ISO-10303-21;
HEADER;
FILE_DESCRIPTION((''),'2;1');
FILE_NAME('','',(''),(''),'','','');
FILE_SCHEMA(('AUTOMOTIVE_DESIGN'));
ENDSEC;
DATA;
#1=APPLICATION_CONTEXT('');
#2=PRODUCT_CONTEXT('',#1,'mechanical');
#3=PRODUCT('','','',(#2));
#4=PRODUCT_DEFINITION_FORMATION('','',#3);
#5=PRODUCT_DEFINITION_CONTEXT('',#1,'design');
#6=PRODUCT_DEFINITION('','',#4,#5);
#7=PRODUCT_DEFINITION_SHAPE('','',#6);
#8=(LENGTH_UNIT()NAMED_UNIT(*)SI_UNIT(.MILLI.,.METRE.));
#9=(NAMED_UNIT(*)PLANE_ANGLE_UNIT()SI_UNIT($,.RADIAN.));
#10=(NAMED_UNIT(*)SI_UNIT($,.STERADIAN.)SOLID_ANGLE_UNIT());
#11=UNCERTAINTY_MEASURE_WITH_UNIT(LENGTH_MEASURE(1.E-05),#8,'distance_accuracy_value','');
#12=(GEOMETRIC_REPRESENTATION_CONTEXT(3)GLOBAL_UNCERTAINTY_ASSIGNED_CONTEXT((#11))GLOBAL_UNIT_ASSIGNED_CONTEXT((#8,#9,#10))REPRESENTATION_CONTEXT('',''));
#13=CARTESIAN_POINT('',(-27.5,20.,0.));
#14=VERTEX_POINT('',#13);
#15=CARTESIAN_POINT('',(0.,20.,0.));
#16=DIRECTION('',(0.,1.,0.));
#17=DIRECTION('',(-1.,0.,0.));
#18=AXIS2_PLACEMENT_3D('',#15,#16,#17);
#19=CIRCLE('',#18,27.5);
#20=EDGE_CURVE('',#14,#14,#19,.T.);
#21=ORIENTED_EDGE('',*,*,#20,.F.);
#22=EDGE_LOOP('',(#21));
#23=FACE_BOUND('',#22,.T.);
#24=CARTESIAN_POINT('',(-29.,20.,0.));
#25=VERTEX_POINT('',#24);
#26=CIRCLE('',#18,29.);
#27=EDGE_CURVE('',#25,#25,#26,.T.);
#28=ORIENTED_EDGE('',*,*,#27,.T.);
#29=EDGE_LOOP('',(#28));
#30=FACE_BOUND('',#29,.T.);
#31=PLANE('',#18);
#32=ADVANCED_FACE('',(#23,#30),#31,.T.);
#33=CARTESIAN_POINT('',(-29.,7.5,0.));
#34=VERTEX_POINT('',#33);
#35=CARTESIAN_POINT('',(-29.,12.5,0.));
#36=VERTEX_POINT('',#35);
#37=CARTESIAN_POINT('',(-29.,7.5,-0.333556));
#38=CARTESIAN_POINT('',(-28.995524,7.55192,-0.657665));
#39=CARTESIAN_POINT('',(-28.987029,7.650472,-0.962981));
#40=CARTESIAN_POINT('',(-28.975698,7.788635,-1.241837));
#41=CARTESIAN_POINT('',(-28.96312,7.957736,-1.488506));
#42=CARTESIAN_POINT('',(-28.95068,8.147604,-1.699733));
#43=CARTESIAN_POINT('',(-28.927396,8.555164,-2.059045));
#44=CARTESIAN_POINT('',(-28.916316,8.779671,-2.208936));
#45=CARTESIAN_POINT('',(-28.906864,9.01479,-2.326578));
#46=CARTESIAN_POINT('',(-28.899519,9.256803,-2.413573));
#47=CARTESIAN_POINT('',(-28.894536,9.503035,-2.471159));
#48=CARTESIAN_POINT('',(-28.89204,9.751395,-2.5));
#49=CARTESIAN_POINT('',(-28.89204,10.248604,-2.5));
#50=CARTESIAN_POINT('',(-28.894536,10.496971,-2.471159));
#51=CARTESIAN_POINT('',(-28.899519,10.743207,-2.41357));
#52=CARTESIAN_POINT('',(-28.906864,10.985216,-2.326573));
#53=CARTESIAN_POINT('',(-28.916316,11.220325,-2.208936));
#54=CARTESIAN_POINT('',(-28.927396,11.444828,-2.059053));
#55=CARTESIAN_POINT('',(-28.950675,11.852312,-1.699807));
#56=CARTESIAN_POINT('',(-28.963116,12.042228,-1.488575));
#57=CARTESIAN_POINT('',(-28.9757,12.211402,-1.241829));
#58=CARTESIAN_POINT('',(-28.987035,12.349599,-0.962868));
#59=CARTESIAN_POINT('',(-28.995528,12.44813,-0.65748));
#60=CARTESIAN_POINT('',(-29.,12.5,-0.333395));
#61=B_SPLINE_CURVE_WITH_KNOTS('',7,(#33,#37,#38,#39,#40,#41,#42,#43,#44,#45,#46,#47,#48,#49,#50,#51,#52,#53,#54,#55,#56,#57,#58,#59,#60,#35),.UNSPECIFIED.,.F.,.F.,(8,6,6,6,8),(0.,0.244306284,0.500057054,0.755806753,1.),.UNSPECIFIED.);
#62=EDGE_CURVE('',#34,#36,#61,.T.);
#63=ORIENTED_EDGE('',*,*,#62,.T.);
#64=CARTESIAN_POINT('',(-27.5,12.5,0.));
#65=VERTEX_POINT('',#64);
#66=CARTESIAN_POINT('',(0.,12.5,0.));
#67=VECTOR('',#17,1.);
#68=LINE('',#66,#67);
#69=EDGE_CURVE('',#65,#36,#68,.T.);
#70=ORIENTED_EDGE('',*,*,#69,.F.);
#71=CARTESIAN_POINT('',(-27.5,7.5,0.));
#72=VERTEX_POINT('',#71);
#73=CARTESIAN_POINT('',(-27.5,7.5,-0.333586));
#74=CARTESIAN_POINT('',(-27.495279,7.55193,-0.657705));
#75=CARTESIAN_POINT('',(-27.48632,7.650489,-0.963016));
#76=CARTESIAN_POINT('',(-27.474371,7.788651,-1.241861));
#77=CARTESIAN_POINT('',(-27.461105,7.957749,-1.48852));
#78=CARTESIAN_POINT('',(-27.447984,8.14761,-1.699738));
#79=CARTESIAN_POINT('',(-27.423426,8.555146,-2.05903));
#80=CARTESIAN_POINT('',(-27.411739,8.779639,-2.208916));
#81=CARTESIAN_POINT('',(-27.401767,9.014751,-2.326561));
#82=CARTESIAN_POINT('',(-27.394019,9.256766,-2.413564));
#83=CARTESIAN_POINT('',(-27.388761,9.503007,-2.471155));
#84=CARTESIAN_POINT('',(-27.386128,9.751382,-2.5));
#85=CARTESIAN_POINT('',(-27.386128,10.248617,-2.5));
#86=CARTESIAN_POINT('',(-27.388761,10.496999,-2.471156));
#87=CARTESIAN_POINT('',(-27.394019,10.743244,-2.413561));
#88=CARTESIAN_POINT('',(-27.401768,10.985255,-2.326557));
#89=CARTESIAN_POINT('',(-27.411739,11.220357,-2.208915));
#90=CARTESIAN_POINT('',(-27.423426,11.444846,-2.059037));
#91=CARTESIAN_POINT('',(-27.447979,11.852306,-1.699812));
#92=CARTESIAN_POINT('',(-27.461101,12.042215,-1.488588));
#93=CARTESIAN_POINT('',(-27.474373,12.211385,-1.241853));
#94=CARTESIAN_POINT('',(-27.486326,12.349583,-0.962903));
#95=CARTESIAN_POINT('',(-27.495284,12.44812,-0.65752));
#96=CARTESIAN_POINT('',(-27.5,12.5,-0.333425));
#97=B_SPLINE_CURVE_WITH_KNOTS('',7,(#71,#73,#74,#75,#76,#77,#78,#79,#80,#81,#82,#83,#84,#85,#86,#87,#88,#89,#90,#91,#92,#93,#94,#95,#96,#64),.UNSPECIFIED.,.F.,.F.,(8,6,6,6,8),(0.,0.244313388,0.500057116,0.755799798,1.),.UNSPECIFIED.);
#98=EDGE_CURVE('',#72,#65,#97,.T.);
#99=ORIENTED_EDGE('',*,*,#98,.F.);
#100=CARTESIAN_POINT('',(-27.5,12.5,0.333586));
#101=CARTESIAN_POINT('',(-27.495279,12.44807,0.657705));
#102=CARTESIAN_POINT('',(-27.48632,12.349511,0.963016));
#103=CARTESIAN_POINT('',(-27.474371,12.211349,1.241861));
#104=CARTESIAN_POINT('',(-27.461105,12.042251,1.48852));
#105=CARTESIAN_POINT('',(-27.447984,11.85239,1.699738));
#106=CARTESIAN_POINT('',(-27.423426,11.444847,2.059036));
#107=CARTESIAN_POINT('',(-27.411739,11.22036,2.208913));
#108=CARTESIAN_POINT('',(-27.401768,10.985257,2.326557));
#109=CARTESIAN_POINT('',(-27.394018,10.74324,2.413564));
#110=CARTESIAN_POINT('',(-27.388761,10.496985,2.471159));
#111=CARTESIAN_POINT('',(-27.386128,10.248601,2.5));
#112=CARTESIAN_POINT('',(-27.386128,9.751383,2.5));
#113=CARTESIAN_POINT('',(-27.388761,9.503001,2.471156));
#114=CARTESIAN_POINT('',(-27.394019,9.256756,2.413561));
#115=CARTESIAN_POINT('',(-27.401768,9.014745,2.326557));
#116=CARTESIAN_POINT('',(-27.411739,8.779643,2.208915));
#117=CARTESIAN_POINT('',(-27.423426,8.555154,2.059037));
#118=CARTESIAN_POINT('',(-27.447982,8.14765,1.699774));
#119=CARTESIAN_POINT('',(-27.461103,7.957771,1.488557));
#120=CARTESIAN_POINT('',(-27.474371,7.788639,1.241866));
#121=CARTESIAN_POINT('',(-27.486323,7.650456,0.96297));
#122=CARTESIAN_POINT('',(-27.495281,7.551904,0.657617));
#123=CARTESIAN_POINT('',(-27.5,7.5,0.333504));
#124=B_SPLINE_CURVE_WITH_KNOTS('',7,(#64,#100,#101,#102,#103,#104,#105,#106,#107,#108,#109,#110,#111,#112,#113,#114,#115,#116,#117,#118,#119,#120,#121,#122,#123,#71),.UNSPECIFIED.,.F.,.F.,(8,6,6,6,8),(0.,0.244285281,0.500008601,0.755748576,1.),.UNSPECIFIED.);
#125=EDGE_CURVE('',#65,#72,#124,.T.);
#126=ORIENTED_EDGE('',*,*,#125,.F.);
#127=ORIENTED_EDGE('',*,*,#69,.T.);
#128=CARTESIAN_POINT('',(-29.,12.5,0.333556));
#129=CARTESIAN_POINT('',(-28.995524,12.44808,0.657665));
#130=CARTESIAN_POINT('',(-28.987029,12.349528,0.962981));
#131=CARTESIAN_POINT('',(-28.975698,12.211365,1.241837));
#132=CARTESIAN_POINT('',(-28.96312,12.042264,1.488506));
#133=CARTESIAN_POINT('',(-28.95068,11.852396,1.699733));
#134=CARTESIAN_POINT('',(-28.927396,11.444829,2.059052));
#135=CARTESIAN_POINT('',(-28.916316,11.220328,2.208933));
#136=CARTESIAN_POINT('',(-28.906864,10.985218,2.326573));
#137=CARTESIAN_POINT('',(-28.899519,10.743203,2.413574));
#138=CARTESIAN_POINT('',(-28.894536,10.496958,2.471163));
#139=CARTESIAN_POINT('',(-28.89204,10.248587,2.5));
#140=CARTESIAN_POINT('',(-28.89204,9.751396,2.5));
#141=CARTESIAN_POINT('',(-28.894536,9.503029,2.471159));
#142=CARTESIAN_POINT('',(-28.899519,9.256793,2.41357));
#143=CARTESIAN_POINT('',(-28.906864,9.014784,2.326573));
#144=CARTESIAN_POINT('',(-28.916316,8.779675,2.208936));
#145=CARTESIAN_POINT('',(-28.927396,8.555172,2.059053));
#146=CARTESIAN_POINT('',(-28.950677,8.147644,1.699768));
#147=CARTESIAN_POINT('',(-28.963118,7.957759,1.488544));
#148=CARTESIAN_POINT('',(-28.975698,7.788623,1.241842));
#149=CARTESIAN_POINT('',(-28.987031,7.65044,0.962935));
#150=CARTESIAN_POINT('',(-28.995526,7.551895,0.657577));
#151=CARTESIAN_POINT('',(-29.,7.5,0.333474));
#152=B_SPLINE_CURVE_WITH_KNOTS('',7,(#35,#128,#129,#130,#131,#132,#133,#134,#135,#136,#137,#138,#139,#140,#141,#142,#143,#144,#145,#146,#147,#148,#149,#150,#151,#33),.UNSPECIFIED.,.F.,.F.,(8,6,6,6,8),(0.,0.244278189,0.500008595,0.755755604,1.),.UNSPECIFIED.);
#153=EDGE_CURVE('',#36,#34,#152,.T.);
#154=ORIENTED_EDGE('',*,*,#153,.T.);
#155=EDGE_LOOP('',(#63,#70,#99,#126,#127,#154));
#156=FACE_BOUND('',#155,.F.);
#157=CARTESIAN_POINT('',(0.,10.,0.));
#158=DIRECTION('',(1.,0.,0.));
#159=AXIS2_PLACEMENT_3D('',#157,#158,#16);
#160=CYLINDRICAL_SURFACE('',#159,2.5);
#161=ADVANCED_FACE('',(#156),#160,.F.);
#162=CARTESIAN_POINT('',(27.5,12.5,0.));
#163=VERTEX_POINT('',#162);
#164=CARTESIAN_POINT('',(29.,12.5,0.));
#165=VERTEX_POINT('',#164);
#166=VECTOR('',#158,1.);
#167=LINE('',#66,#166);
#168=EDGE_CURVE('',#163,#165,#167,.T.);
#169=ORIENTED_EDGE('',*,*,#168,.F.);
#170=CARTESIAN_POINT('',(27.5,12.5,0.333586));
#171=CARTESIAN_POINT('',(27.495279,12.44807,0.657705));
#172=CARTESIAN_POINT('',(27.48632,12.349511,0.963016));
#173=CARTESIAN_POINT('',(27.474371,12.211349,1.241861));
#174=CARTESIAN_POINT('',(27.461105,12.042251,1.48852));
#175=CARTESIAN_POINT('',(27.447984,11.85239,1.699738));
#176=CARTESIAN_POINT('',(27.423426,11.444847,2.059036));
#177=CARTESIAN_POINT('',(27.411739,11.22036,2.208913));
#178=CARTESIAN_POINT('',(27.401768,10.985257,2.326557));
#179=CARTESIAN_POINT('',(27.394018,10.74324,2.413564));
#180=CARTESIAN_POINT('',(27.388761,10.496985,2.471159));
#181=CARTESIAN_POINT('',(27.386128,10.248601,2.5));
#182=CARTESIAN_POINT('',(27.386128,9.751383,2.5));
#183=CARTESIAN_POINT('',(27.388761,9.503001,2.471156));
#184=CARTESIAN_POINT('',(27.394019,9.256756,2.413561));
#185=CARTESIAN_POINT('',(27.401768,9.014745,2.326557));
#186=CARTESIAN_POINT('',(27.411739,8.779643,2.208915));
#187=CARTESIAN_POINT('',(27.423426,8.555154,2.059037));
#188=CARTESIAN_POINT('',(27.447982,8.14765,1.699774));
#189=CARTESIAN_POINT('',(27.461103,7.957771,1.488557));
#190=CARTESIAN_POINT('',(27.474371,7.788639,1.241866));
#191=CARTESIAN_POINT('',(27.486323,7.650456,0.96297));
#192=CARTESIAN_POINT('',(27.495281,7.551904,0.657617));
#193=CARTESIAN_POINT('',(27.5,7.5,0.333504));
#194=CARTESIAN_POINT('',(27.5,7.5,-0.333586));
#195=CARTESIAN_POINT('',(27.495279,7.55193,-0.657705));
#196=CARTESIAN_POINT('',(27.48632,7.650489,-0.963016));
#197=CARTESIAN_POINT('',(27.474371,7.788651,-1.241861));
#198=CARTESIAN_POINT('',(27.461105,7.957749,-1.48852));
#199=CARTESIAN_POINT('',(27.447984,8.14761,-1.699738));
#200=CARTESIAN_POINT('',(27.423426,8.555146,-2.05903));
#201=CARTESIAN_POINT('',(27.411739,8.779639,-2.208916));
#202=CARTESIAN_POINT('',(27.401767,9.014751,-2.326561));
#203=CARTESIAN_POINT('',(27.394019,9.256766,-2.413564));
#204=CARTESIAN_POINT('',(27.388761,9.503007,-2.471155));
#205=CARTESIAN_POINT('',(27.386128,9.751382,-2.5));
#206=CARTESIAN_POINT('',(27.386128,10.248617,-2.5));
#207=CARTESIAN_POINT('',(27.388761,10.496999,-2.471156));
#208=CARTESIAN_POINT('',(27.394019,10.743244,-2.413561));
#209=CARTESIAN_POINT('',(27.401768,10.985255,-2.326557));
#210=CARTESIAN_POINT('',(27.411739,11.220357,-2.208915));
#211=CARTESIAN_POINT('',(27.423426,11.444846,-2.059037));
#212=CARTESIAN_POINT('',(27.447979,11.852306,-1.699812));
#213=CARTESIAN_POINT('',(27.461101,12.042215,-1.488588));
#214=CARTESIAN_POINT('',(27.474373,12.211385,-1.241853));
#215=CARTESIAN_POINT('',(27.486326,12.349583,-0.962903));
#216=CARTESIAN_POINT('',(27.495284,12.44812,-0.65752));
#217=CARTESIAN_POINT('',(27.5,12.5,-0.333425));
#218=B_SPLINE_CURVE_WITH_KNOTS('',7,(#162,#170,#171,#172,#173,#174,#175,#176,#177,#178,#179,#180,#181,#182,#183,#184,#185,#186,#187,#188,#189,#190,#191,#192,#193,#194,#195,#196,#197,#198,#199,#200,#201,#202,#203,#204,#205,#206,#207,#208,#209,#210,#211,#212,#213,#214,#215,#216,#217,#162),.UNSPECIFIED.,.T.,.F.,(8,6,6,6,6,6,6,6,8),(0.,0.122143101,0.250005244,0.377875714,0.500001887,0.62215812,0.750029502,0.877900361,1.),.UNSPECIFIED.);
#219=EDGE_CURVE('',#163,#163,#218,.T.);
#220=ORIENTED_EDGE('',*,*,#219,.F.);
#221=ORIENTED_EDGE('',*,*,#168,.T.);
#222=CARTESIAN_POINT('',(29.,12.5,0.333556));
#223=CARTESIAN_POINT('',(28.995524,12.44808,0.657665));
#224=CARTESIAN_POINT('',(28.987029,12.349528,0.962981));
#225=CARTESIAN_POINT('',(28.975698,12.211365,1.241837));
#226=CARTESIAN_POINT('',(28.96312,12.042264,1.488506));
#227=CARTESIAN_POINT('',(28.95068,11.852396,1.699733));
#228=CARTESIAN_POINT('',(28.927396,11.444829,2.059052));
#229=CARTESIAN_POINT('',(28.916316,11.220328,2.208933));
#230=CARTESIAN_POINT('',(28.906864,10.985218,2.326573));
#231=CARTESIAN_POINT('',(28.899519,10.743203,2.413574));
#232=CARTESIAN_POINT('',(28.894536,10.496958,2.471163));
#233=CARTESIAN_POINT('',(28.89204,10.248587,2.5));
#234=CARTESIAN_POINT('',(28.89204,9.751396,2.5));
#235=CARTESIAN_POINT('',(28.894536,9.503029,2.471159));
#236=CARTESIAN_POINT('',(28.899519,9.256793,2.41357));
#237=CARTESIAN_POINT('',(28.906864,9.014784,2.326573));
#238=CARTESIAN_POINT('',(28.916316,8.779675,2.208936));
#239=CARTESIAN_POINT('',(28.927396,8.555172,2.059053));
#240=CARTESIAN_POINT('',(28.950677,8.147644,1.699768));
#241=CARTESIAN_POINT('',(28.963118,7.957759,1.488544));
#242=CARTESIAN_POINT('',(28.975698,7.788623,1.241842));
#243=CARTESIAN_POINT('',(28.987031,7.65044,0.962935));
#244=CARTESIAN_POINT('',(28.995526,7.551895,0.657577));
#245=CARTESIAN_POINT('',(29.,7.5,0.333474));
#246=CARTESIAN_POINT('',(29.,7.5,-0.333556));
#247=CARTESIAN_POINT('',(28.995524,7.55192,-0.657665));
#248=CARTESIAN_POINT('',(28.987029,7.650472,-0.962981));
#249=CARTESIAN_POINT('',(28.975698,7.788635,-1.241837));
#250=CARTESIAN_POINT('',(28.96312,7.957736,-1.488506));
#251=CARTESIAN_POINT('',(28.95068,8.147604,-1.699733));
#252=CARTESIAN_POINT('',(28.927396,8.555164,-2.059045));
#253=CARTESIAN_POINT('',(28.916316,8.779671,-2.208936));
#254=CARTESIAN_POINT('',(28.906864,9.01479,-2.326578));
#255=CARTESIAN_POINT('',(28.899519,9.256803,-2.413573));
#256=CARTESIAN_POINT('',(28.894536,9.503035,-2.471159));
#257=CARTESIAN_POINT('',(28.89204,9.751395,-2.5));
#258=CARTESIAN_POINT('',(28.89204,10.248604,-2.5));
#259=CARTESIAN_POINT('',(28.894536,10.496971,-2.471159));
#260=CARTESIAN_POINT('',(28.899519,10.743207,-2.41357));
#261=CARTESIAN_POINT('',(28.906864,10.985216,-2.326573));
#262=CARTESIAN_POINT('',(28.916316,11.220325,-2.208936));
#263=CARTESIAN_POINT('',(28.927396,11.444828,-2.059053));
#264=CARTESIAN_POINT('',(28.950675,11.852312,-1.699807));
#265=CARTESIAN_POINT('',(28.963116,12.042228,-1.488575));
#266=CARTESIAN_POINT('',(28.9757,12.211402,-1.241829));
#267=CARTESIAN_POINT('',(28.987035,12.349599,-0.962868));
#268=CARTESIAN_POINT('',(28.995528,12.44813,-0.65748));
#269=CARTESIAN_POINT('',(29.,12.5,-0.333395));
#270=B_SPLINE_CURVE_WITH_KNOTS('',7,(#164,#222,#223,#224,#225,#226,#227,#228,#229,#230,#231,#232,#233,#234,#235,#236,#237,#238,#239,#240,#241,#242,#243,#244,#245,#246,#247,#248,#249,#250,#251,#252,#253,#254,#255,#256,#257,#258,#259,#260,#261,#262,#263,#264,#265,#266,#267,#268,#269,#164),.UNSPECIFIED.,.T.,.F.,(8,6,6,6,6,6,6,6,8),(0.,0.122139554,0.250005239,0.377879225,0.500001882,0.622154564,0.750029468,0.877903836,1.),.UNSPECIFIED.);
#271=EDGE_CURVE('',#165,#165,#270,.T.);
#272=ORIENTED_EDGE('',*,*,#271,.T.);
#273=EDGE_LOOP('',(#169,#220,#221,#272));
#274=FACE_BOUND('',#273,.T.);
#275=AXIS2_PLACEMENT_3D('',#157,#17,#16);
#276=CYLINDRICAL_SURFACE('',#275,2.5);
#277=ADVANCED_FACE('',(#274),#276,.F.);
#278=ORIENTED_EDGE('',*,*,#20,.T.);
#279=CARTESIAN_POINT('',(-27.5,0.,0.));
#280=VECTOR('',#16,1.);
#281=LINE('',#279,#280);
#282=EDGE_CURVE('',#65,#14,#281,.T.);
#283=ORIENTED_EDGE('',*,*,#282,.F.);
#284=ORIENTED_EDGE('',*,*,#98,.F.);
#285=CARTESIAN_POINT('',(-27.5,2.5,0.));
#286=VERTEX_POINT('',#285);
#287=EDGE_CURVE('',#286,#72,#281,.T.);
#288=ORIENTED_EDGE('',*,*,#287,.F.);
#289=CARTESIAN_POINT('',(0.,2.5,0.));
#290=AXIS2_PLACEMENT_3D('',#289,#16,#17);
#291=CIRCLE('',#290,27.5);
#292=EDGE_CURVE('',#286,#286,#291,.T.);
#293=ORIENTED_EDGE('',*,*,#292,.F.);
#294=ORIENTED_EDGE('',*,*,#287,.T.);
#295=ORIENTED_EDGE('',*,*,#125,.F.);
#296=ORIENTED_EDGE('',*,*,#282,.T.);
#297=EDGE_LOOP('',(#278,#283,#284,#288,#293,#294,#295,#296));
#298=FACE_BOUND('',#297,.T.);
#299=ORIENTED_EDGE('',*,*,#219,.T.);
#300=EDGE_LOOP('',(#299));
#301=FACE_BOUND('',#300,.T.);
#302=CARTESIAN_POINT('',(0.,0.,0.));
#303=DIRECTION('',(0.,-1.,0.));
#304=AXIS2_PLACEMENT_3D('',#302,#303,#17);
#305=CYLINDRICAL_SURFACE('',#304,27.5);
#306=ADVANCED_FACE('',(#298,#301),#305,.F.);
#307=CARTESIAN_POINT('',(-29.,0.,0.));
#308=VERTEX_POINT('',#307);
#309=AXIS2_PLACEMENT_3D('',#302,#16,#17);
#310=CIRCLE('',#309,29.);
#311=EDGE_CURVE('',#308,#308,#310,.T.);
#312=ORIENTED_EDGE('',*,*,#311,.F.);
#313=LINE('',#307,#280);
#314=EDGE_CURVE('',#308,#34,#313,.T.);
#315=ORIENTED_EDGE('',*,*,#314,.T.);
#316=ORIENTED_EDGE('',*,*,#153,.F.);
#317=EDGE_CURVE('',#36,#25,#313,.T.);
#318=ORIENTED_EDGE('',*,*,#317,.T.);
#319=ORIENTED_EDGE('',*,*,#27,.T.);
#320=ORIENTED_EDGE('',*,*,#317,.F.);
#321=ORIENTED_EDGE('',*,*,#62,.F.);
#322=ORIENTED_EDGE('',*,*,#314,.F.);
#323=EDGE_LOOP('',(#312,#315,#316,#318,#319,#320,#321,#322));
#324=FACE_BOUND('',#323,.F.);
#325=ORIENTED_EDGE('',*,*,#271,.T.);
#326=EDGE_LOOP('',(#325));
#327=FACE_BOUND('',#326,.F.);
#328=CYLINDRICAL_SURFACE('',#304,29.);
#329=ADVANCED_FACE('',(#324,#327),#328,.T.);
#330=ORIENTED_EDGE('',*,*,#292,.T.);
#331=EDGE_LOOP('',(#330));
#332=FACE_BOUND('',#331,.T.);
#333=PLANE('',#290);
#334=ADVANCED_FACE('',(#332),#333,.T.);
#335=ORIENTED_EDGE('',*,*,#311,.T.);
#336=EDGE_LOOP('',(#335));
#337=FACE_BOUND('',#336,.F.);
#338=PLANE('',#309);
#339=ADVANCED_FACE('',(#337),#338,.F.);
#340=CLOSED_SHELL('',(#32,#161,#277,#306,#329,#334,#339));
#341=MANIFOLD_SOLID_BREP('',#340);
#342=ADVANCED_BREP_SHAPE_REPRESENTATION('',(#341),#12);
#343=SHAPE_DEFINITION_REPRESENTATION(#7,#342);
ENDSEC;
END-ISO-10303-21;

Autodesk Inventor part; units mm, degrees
ref_plane "YZ Plane" through (0, 0, 0) normal (1, 0, 0) x (0, 1, 0)
ref_plane "XZ Plane" through (0, 0, 0) normal (0, 1, 0) x (-1, 0, 0)
ref_plane "XY Plane" through (0, 0, 0) normal (0, 0, 1) x (1, 0, 0)
sketch "Sketch1" plane through (0, 0, 0) normal (0, 1, 0) x (-1, 0, 0)
  circle A0 centre (0, 0) radius 27.5
  circle A1 centre (0, 0) radius 29
  dimension "d0" = 55
  dimension "d1" = 58
extrude "Extrusion1" add sketch "Sketch1" along normal blind 2.5 contours A0
extrude "Extrusion2" add sketch "Sketch1" along normal blind 20
sketch "Sketch3" plane through (0, 0, 0) normal (1, 0, 0) x (0, 1, 0)
  circle A0 centre (10, 0) radius 2.5
  line L0 (0, -29) -> (0, 29) projected
  point P0 (0, 0)
  dimension "d6" = 5
  dimension "d7" = 10
extrude "Extrusion3" cut sketch "Sketch3" along normal through all both and the other way through all
properties part number "Tapa_Tubo_PVC"
